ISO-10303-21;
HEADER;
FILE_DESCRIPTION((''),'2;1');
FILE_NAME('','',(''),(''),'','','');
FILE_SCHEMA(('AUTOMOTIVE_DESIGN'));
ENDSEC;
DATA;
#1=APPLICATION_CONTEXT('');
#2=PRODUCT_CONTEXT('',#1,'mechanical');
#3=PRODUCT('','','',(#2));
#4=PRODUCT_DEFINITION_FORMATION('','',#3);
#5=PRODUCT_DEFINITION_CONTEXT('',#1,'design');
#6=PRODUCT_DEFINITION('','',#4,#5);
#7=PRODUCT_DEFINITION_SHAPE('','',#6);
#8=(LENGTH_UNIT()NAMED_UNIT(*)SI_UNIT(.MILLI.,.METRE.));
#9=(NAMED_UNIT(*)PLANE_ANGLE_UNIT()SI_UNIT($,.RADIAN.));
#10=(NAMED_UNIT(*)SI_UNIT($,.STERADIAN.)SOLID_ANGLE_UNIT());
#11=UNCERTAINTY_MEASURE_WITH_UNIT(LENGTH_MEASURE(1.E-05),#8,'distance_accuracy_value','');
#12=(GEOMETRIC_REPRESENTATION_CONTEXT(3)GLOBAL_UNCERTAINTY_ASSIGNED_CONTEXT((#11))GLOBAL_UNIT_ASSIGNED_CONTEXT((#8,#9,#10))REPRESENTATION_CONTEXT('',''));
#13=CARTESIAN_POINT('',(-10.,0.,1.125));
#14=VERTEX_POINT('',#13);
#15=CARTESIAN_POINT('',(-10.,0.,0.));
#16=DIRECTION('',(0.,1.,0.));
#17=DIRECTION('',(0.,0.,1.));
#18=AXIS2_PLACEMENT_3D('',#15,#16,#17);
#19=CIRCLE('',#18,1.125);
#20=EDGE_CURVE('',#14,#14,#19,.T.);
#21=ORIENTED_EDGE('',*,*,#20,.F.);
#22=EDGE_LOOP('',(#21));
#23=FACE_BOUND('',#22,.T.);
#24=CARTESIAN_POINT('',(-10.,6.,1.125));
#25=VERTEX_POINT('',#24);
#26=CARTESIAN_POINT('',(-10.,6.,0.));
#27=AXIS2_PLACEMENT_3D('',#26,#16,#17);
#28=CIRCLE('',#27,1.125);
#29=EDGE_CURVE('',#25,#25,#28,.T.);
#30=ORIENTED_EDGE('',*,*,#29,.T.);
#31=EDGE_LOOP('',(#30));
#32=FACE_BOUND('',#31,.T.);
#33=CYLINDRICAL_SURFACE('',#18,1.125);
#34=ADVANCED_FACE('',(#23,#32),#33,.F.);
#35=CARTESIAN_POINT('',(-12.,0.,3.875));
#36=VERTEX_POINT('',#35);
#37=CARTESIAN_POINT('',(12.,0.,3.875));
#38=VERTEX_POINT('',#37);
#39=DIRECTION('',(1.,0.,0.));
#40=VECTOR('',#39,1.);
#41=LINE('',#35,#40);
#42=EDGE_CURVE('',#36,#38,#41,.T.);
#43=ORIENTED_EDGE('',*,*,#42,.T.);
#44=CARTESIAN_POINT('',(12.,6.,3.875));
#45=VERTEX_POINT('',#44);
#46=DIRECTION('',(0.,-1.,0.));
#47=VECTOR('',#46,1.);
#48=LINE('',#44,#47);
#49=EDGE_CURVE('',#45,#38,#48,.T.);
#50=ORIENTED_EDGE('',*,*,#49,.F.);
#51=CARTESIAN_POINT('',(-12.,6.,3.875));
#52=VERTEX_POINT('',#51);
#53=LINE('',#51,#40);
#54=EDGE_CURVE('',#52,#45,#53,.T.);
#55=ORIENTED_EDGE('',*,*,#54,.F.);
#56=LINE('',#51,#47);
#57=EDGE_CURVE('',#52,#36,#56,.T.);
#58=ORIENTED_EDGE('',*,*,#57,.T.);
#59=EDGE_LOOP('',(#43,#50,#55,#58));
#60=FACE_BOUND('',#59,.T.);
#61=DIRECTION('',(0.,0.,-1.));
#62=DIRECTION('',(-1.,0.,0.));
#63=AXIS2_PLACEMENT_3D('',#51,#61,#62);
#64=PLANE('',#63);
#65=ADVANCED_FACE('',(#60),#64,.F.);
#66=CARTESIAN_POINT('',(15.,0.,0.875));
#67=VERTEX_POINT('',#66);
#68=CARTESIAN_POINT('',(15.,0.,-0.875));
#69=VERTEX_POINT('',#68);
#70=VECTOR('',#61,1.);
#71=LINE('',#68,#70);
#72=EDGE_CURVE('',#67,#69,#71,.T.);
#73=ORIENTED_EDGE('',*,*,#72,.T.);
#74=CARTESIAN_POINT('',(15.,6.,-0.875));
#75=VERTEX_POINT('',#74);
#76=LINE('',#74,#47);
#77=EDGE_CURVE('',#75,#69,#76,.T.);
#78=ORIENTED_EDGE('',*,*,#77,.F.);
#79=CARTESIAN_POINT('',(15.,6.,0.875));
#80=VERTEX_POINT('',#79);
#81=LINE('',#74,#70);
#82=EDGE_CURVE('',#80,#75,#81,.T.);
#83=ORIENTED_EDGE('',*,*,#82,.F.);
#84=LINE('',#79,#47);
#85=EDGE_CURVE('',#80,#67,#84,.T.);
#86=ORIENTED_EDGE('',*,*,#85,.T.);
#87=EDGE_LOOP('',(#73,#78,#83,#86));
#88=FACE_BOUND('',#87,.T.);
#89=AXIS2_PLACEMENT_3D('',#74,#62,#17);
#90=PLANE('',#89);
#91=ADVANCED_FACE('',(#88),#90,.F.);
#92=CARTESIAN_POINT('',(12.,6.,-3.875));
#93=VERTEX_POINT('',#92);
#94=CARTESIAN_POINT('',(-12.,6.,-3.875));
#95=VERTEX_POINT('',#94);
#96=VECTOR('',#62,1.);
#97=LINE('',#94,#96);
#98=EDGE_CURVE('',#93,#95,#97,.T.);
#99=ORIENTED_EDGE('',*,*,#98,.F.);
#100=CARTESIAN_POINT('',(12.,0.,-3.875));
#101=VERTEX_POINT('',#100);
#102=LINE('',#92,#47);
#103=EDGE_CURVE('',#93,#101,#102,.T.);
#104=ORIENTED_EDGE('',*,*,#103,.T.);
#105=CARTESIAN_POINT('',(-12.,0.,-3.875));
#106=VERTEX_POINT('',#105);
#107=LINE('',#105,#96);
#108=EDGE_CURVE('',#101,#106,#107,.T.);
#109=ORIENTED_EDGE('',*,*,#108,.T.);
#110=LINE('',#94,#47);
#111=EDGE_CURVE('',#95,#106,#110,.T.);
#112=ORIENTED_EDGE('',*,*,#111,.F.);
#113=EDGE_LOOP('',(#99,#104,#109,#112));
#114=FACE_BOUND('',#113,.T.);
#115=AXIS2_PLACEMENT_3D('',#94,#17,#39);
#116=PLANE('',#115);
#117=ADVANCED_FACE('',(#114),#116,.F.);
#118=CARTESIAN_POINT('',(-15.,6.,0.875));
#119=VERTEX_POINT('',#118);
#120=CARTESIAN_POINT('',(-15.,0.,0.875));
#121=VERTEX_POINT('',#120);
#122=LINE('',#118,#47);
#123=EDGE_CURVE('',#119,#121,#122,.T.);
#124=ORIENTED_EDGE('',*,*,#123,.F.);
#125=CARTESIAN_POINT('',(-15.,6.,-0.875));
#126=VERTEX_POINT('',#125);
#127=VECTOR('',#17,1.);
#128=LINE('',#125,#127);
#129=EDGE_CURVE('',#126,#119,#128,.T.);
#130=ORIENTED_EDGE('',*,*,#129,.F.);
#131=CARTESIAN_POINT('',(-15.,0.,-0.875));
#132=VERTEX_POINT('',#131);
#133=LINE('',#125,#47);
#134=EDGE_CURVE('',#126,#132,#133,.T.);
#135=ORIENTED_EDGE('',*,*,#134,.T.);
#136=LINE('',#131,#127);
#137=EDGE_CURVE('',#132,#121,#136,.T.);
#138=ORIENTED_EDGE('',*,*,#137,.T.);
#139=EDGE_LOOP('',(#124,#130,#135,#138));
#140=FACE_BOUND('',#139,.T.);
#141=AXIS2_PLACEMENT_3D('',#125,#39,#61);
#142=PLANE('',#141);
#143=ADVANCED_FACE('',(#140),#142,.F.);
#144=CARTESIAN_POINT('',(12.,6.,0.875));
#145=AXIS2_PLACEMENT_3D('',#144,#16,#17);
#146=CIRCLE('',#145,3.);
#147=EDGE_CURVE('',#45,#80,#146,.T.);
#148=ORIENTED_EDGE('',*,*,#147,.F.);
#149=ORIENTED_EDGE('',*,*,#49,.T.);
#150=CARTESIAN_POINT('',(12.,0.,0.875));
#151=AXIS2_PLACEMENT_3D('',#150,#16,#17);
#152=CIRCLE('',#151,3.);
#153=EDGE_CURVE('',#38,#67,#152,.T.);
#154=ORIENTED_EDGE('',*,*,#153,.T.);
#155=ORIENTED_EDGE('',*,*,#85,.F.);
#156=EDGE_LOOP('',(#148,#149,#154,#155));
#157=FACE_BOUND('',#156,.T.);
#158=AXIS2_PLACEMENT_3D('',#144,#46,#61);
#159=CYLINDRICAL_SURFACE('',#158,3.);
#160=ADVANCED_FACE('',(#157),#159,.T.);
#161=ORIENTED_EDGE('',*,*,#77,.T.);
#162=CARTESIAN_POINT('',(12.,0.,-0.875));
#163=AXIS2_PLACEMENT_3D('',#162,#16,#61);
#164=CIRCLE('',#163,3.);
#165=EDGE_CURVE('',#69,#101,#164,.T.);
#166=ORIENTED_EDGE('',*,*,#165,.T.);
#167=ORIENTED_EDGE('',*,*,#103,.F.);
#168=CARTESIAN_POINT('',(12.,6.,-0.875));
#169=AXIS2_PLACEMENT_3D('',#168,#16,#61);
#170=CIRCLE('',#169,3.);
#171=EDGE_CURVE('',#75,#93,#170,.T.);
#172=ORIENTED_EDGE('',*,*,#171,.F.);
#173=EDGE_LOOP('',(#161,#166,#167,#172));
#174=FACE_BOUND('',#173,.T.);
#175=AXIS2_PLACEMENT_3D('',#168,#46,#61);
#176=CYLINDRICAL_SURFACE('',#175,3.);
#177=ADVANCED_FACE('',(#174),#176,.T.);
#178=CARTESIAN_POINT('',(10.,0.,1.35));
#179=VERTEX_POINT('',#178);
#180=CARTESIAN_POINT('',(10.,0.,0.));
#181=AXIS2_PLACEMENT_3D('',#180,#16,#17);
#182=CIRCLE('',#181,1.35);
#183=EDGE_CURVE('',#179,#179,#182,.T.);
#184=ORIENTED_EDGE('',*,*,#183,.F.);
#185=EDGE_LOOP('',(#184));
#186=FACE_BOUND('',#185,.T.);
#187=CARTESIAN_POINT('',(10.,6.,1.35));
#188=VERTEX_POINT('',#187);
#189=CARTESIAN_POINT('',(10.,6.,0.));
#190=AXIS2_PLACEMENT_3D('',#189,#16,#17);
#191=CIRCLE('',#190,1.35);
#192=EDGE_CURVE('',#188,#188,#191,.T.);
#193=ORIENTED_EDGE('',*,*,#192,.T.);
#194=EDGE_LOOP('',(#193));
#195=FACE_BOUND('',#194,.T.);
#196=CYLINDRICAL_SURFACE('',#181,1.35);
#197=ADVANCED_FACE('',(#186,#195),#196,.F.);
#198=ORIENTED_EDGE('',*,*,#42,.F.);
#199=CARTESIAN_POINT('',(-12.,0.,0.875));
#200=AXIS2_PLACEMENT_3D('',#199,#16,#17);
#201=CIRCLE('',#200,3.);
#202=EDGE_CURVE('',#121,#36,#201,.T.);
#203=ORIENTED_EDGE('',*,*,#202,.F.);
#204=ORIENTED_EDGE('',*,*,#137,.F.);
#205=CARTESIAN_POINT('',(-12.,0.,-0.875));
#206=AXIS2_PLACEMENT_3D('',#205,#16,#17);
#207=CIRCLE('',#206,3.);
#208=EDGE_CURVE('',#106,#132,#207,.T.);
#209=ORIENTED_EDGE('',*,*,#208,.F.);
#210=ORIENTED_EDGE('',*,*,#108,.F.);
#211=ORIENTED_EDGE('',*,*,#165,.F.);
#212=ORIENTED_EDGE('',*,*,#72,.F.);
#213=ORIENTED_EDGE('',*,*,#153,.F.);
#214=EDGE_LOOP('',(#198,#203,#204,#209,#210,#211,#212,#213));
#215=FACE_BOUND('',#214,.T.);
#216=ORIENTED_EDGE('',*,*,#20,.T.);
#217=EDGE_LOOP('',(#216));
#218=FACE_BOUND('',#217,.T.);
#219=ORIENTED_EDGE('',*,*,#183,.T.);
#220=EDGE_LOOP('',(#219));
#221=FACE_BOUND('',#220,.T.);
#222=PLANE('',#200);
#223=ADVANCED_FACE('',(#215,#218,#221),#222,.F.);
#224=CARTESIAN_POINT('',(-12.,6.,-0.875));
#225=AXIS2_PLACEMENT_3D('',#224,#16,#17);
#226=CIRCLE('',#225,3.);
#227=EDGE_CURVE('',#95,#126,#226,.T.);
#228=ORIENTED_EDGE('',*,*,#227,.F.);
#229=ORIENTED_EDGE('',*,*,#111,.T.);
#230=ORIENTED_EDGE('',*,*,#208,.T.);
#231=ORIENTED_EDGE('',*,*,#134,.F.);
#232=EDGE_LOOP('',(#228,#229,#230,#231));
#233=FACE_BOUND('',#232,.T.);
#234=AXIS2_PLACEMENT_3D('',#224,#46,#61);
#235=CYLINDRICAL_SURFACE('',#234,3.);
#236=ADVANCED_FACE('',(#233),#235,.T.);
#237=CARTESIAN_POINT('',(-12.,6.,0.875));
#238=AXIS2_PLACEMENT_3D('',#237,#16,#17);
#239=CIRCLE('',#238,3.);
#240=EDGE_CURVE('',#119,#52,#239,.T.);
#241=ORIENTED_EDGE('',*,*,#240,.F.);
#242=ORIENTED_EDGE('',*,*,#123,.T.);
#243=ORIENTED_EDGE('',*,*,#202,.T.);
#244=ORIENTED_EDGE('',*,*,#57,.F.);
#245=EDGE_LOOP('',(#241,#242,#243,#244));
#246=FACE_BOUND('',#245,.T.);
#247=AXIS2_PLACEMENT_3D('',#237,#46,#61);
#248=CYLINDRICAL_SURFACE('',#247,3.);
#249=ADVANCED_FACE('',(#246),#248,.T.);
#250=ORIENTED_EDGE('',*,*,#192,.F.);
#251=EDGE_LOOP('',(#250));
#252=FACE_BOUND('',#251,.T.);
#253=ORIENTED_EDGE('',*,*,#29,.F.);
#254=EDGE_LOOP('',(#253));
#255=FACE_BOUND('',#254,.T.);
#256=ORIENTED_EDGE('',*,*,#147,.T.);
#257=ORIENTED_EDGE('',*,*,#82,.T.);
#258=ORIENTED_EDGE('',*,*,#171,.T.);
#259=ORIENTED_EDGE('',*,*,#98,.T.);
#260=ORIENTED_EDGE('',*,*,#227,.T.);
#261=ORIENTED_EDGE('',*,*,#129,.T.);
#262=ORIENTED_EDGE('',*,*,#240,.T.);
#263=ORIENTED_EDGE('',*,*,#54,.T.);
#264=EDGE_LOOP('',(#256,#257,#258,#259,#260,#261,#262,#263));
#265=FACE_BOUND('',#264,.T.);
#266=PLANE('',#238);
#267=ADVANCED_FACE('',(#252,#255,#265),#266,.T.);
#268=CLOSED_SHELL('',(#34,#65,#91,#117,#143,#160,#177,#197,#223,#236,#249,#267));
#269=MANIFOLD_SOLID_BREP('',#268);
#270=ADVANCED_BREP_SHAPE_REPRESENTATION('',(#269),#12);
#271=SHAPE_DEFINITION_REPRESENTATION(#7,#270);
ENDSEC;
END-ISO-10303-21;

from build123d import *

# Parameters (mm, degrees)
BOSS_EXTRUDE1_DEPTH = 6
SKETCH2_R           = 1.125
SKETCH2_R_2         = 1.35
CUT_EXTRUDE1_DEPTH  = 7


with BuildPart() as part:
    # Sketch1 → Boss-Extrude1 (new body)
    with BuildSketch(Plane(origin=(0, 0, 0), x_dir=(1, 0, 0), z_dir=(0, 1, 0))):
        with BuildLine():
            Line((-12, 3.875), (12, 3.875))
            ThreePointArc((12, 3.875), (14.121320344, 2.996320344), (15, 0.875))
            Line((15, 0.875), (15, -0.875))
            ThreePointArc((15, -0.875), (14.121320344, -2.996320344), (12, -3.875))
            Line((12, -3.875), (-12, -3.875))
            ThreePointArc((-12, -3.875), (-14.121320344, -2.996320344), (-15, -0.875))
            Line((-15, -0.875), (-15, 0.875))
            ThreePointArc((-15, 0.875), (-14.121320344, 2.996320344), (-12, 3.875))
        make_face()
    extrude(amount=BOSS_EXTRUDE1_DEPTH)

    # Sketch2 → Cut-Extrude1 (cut, through all)
    with BuildSketch(Plane(origin=(0, 6, 0), x_dir=(1, 0, 0), z_dir=(0, 1, 0))):
        with Locations((-10, 0)):
            Circle(SKETCH2_R)
        with Locations((10, 0)):
            Circle(SKETCH2_R_2)
    extrude(amount=-CUT_EXTRUDE1_DEPTH, mode=Mode.SUBTRACT)


solid = part.part
